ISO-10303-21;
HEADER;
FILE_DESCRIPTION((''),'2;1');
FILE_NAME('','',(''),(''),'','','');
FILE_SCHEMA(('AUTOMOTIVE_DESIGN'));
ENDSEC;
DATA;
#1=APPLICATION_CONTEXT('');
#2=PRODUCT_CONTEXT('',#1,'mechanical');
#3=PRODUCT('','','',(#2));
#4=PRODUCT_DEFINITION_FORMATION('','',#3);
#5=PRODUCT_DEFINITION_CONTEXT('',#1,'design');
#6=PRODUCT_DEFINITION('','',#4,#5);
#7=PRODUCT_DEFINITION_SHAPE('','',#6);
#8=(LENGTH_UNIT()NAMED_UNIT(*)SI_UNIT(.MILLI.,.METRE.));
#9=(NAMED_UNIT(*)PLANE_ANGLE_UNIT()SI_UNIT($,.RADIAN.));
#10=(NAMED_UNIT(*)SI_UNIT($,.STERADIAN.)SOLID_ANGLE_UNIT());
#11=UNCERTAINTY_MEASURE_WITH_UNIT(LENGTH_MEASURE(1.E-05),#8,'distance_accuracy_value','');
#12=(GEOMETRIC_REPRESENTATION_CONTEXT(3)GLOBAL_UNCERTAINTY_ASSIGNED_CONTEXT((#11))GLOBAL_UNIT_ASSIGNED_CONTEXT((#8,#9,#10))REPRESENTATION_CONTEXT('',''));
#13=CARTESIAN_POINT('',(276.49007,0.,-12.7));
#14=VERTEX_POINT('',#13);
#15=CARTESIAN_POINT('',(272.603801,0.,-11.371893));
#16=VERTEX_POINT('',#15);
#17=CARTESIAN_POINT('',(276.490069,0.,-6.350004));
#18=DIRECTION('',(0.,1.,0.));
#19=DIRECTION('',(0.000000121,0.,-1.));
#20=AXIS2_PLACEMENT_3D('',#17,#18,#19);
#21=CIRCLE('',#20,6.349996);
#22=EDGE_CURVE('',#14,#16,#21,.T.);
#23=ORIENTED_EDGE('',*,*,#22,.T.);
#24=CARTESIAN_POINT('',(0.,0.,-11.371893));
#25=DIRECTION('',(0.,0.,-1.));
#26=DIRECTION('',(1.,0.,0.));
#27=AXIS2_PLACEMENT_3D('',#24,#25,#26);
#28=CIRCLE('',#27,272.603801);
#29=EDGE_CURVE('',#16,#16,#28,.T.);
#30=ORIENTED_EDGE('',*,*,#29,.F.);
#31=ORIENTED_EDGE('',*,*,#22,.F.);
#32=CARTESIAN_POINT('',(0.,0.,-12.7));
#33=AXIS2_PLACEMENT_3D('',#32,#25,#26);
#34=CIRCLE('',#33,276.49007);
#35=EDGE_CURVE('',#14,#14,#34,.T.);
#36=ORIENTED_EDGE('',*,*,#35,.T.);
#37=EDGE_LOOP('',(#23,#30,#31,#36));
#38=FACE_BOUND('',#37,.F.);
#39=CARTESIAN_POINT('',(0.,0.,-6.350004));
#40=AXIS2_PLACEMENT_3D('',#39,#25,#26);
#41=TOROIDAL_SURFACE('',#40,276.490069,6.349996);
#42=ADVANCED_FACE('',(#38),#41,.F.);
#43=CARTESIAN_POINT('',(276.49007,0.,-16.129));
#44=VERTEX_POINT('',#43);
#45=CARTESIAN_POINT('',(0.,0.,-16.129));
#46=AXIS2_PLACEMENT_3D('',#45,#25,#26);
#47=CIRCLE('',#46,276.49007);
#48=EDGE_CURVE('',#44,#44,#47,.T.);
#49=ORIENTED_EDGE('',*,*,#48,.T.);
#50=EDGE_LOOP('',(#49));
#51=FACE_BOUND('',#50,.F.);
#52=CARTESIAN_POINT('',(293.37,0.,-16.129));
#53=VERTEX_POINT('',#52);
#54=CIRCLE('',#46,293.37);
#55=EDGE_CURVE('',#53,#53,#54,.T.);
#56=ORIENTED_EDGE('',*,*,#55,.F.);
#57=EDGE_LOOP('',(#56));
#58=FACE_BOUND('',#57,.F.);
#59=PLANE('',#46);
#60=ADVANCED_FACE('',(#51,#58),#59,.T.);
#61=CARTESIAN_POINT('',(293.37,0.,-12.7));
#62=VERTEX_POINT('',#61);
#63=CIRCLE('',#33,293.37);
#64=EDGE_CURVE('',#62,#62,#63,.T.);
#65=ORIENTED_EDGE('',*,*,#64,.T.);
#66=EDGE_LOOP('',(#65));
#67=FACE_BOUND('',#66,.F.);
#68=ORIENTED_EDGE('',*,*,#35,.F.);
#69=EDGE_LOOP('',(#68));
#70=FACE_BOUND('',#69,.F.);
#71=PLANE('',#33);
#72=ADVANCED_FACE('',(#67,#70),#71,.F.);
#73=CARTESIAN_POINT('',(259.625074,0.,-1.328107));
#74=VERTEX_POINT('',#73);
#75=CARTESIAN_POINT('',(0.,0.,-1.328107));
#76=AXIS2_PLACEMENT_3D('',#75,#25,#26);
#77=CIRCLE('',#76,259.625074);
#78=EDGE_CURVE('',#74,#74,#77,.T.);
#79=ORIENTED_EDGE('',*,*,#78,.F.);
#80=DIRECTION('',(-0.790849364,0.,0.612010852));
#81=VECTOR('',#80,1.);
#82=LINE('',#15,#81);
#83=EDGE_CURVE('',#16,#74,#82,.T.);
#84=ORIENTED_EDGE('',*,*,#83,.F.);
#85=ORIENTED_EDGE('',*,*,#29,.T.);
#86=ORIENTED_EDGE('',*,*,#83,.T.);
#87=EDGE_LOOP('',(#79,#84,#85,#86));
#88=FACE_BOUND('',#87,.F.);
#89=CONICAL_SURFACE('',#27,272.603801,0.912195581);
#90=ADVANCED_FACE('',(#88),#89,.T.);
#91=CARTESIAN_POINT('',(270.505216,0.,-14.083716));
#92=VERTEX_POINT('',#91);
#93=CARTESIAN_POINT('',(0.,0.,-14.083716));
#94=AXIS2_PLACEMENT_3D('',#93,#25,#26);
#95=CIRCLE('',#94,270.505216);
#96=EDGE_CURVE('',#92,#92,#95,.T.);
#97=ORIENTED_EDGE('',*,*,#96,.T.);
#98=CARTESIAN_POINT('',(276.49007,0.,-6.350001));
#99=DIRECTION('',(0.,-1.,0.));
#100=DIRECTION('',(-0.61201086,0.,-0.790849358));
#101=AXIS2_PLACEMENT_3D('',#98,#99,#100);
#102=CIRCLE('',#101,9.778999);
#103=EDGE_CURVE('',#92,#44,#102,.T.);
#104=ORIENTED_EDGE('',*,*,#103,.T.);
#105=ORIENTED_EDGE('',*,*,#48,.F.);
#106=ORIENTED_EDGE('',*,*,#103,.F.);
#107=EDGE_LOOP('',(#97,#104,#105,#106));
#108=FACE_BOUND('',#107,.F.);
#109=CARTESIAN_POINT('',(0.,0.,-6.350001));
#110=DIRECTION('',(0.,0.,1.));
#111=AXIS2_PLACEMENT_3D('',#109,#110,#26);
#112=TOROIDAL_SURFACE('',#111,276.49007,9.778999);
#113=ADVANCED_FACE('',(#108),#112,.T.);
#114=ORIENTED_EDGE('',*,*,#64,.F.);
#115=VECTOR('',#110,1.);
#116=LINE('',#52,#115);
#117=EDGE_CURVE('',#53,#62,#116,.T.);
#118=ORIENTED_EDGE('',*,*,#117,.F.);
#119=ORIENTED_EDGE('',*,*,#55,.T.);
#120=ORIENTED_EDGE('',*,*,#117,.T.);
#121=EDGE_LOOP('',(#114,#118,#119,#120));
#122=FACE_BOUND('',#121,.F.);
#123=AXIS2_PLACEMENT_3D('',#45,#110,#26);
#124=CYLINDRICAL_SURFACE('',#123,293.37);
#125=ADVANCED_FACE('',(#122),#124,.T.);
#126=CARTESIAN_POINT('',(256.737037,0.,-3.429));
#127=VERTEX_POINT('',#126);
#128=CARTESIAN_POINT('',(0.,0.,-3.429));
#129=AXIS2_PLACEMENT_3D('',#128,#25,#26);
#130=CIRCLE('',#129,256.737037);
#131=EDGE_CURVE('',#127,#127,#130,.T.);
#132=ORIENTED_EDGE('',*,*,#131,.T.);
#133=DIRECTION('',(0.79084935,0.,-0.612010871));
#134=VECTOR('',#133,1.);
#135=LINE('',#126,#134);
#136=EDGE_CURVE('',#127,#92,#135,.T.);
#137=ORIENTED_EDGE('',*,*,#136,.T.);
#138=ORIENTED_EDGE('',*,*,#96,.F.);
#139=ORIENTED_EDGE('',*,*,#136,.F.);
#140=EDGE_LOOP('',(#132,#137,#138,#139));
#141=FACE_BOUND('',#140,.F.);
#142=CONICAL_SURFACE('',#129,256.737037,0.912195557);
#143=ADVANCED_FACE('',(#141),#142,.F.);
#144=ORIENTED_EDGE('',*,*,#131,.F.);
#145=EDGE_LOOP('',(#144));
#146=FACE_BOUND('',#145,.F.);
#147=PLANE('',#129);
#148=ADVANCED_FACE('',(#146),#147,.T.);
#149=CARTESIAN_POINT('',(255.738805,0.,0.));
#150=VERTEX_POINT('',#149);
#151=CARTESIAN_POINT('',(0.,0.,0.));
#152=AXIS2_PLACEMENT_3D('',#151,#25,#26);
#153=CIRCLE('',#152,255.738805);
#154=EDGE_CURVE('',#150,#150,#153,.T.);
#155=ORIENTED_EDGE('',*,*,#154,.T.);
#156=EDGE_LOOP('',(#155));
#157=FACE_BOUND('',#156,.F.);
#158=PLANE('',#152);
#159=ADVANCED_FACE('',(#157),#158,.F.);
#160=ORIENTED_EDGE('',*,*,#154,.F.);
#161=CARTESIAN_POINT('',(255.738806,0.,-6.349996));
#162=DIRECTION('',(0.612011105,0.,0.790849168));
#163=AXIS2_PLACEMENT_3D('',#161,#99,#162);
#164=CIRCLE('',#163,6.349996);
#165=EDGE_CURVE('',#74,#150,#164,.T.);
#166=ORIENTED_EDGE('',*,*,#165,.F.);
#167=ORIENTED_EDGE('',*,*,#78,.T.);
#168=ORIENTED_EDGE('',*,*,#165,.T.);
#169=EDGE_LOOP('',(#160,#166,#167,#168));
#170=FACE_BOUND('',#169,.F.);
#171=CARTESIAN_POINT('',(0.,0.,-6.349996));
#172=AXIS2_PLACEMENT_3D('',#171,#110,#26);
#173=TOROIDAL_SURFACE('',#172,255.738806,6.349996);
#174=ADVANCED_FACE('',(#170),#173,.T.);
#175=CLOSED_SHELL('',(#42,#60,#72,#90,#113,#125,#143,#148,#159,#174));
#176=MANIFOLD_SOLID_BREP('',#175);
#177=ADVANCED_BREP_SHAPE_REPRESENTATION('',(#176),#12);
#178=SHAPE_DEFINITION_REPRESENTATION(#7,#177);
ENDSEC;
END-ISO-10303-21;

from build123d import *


with BuildPart() as f1:
    # F0 (on Front) → F1 (revolve)
    with BuildSketch(Plane.XZ):
        with BuildLine():
            Line((255.738805, 0), (0, 0))
            Line((0, 0), (0, -3.429))
            Line((0, -3.429), (256.737037, -3.429))
            Line((256.737037, -3.429), (270.505216, -14.083716))
            ThreePointArc((270.505216, -14.083716), (273.327727, -15.603563), (276.49007, -16.129))
            Line((276.49007, -16.129), (293.37, -16.129))
            Line((293.37, -16.129), (293.37, -12.7))
            Line((293.37, -12.7), (276.49007, -12.7))
            ThreePointArc((276.49007, -12.7), (274.4366, -12.358807), (272.603801, -11.371893))
            Line((272.603801, -11.371893), (259.625074, -1.328107))
            ThreePointArc((259.625074, -1.328107), (257.792275, -0.341193), (255.738805, 0))
        make_face()
    revolve(axis=Axis((0, 0, -1.7145), (0, 0, -1)))


solid = f1.part
